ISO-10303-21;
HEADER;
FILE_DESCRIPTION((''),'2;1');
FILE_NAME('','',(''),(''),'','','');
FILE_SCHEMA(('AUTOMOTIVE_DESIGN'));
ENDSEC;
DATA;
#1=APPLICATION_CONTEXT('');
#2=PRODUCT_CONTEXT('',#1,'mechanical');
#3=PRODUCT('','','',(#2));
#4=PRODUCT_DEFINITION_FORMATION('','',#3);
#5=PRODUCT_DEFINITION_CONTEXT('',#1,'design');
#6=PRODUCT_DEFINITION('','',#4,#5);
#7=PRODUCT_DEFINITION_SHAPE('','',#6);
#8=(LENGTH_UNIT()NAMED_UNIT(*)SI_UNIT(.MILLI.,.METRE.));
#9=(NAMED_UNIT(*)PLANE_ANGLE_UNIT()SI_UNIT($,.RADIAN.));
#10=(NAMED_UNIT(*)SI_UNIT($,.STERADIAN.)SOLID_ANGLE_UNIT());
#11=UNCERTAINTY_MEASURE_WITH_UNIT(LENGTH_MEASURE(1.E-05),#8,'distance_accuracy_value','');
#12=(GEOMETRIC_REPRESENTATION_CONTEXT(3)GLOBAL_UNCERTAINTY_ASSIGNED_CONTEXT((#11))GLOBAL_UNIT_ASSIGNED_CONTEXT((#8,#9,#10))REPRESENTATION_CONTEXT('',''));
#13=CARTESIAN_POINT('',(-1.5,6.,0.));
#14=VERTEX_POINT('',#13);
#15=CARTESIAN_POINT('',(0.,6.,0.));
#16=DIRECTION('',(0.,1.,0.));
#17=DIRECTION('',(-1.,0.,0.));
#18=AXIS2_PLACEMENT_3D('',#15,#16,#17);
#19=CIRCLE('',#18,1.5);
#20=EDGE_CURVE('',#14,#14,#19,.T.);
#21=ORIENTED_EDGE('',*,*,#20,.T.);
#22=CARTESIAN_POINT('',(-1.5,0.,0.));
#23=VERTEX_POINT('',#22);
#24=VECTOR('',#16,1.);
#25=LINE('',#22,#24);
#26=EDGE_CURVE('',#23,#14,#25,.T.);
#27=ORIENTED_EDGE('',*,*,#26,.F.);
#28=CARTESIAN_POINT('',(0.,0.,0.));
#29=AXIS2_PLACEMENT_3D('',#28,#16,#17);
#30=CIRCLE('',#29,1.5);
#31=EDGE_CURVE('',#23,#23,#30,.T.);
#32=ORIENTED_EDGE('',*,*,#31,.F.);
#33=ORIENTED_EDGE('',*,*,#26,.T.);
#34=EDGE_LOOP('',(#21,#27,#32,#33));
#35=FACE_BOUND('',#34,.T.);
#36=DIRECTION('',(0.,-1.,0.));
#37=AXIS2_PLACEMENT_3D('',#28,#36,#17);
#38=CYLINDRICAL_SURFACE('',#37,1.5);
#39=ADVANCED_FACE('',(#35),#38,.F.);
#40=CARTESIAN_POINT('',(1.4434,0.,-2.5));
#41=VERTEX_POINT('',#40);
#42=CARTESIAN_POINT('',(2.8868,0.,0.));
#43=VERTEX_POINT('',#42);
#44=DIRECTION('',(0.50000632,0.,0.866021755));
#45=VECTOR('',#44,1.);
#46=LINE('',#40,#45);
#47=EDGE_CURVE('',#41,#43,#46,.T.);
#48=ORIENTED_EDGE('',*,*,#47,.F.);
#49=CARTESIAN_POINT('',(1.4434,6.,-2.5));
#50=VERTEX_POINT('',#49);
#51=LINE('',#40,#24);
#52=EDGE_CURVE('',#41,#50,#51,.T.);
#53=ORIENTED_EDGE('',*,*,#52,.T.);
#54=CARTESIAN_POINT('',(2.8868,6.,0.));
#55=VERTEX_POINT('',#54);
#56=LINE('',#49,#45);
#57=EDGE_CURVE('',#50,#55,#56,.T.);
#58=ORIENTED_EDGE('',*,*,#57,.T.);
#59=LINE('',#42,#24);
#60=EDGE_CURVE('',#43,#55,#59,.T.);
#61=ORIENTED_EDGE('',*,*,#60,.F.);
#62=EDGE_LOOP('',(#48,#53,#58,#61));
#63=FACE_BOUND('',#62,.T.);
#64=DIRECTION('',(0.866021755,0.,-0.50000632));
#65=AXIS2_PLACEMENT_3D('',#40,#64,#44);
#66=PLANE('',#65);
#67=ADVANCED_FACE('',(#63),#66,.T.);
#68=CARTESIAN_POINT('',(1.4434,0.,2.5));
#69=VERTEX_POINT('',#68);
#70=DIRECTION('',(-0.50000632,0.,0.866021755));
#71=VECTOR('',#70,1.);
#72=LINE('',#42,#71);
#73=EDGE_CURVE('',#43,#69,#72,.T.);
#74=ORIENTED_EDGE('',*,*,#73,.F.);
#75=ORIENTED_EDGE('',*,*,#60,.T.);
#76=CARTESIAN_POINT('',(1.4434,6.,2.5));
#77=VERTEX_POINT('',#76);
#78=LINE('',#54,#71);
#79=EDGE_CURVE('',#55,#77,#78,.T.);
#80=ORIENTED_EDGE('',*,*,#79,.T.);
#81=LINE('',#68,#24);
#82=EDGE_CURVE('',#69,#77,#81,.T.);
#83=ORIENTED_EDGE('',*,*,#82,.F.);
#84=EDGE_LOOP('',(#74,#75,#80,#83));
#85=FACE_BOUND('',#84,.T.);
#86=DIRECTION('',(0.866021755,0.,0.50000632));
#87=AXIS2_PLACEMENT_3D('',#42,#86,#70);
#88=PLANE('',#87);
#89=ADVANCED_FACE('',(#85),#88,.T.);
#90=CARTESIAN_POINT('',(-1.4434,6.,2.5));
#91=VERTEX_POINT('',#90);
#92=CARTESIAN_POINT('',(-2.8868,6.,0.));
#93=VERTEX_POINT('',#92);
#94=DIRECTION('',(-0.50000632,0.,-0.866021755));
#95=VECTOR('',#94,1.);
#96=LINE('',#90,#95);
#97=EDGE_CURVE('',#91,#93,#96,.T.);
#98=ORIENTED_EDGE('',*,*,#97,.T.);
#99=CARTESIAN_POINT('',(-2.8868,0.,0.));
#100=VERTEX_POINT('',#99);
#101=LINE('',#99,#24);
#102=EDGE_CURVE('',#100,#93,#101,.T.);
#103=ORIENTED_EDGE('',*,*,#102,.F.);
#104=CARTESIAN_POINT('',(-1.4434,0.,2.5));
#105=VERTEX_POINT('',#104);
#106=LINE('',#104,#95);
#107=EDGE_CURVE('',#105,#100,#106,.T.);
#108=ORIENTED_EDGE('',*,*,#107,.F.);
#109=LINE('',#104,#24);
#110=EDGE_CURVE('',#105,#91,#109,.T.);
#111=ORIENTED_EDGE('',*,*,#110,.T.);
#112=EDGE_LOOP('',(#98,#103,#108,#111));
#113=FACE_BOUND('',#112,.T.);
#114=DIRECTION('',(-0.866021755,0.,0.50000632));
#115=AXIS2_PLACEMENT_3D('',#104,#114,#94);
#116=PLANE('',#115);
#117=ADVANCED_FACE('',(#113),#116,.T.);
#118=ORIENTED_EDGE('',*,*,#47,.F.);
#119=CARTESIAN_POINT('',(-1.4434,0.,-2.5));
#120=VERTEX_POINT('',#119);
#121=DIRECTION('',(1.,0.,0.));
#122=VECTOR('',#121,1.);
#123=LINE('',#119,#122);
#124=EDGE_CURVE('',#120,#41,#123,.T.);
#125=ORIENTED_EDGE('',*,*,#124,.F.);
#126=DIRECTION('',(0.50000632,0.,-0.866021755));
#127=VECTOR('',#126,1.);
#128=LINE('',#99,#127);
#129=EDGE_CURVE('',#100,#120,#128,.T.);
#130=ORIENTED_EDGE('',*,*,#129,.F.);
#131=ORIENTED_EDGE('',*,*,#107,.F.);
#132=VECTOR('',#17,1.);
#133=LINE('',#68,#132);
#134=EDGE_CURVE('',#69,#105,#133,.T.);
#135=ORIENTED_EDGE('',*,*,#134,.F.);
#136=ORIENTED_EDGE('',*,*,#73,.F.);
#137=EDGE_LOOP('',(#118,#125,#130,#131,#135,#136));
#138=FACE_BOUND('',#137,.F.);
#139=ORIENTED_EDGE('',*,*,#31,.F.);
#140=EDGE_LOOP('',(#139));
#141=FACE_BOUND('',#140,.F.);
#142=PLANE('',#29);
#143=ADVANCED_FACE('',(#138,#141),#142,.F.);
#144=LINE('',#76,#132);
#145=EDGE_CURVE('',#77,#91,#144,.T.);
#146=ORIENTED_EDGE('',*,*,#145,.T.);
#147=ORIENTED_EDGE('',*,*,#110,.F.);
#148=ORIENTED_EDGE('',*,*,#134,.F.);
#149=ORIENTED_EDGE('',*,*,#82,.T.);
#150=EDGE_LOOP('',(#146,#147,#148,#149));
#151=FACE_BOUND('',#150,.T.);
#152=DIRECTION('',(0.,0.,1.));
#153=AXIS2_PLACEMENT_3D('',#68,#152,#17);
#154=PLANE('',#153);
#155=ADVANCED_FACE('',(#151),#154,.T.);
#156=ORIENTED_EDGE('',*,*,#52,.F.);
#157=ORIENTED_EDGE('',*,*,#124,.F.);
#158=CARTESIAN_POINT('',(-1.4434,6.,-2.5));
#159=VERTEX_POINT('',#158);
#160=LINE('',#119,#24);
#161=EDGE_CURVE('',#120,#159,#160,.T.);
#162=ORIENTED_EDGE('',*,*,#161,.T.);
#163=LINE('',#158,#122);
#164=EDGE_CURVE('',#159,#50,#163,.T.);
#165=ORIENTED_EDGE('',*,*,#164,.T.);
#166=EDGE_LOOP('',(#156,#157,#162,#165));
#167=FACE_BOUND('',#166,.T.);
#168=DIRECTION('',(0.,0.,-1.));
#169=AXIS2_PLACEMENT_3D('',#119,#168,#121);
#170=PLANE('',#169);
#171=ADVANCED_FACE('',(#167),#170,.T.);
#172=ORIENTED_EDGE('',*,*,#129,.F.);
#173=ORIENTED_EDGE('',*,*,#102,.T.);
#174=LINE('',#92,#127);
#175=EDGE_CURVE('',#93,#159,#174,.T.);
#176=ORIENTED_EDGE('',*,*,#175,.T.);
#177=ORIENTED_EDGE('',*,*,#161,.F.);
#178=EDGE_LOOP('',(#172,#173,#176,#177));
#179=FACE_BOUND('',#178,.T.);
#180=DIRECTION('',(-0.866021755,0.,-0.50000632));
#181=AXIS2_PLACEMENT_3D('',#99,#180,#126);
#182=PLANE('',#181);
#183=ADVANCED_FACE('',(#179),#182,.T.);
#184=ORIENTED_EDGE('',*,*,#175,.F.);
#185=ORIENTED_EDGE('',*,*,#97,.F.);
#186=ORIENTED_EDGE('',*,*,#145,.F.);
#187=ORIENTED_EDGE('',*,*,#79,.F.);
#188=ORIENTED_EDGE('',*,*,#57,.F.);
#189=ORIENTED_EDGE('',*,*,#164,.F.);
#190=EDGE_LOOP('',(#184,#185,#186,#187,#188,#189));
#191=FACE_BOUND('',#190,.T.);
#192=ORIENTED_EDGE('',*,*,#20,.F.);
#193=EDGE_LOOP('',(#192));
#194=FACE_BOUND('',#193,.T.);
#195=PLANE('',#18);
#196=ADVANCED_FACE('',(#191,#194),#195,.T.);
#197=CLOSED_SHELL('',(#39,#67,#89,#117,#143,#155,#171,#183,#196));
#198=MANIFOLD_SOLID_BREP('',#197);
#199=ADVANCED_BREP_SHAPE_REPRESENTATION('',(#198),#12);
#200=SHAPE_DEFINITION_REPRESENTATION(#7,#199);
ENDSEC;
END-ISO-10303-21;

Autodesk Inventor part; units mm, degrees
ref_plane "YZ Plane" through (0, 0, 0) normal (1, 0, 0) x (0, 1, 0)
ref_plane "XZ Plane" through (0, 0, 0) normal (0, 1, 0) x (-1, 0, 0)
ref_plane "XY Plane" through (0, 0, 0) normal (0, 0, 1) x (1, 0, 0)
sketch "Esquisse1" plane through (0, 0, 0) normal (0, 1, 0) x (-1, 0, 0)
  line L0 (-1.4434, -2.5) -> (-2.8868, 0)
  line L1 (-2.8868, 0) -> (-1.4434, 2.5)
  line L2 (-1.4434, 2.5) -> (1.4434, 2.5)
  line L3 (1.4434, 2.5) -> (2.8868, 0)
  line L4 (2.8868, 0) -> (1.4434, -2.5)
  line L5 (1.4434, -2.5) -> (-1.4434, -2.5)
  circle A0 centre (0, 0) radius 1.5
  dimension "d0" = 3
  dimension "d1" = 5
extrude "Extrusion1" add sketch "Esquisse1" along normal blind 6
properties part number "entretoise_6"
